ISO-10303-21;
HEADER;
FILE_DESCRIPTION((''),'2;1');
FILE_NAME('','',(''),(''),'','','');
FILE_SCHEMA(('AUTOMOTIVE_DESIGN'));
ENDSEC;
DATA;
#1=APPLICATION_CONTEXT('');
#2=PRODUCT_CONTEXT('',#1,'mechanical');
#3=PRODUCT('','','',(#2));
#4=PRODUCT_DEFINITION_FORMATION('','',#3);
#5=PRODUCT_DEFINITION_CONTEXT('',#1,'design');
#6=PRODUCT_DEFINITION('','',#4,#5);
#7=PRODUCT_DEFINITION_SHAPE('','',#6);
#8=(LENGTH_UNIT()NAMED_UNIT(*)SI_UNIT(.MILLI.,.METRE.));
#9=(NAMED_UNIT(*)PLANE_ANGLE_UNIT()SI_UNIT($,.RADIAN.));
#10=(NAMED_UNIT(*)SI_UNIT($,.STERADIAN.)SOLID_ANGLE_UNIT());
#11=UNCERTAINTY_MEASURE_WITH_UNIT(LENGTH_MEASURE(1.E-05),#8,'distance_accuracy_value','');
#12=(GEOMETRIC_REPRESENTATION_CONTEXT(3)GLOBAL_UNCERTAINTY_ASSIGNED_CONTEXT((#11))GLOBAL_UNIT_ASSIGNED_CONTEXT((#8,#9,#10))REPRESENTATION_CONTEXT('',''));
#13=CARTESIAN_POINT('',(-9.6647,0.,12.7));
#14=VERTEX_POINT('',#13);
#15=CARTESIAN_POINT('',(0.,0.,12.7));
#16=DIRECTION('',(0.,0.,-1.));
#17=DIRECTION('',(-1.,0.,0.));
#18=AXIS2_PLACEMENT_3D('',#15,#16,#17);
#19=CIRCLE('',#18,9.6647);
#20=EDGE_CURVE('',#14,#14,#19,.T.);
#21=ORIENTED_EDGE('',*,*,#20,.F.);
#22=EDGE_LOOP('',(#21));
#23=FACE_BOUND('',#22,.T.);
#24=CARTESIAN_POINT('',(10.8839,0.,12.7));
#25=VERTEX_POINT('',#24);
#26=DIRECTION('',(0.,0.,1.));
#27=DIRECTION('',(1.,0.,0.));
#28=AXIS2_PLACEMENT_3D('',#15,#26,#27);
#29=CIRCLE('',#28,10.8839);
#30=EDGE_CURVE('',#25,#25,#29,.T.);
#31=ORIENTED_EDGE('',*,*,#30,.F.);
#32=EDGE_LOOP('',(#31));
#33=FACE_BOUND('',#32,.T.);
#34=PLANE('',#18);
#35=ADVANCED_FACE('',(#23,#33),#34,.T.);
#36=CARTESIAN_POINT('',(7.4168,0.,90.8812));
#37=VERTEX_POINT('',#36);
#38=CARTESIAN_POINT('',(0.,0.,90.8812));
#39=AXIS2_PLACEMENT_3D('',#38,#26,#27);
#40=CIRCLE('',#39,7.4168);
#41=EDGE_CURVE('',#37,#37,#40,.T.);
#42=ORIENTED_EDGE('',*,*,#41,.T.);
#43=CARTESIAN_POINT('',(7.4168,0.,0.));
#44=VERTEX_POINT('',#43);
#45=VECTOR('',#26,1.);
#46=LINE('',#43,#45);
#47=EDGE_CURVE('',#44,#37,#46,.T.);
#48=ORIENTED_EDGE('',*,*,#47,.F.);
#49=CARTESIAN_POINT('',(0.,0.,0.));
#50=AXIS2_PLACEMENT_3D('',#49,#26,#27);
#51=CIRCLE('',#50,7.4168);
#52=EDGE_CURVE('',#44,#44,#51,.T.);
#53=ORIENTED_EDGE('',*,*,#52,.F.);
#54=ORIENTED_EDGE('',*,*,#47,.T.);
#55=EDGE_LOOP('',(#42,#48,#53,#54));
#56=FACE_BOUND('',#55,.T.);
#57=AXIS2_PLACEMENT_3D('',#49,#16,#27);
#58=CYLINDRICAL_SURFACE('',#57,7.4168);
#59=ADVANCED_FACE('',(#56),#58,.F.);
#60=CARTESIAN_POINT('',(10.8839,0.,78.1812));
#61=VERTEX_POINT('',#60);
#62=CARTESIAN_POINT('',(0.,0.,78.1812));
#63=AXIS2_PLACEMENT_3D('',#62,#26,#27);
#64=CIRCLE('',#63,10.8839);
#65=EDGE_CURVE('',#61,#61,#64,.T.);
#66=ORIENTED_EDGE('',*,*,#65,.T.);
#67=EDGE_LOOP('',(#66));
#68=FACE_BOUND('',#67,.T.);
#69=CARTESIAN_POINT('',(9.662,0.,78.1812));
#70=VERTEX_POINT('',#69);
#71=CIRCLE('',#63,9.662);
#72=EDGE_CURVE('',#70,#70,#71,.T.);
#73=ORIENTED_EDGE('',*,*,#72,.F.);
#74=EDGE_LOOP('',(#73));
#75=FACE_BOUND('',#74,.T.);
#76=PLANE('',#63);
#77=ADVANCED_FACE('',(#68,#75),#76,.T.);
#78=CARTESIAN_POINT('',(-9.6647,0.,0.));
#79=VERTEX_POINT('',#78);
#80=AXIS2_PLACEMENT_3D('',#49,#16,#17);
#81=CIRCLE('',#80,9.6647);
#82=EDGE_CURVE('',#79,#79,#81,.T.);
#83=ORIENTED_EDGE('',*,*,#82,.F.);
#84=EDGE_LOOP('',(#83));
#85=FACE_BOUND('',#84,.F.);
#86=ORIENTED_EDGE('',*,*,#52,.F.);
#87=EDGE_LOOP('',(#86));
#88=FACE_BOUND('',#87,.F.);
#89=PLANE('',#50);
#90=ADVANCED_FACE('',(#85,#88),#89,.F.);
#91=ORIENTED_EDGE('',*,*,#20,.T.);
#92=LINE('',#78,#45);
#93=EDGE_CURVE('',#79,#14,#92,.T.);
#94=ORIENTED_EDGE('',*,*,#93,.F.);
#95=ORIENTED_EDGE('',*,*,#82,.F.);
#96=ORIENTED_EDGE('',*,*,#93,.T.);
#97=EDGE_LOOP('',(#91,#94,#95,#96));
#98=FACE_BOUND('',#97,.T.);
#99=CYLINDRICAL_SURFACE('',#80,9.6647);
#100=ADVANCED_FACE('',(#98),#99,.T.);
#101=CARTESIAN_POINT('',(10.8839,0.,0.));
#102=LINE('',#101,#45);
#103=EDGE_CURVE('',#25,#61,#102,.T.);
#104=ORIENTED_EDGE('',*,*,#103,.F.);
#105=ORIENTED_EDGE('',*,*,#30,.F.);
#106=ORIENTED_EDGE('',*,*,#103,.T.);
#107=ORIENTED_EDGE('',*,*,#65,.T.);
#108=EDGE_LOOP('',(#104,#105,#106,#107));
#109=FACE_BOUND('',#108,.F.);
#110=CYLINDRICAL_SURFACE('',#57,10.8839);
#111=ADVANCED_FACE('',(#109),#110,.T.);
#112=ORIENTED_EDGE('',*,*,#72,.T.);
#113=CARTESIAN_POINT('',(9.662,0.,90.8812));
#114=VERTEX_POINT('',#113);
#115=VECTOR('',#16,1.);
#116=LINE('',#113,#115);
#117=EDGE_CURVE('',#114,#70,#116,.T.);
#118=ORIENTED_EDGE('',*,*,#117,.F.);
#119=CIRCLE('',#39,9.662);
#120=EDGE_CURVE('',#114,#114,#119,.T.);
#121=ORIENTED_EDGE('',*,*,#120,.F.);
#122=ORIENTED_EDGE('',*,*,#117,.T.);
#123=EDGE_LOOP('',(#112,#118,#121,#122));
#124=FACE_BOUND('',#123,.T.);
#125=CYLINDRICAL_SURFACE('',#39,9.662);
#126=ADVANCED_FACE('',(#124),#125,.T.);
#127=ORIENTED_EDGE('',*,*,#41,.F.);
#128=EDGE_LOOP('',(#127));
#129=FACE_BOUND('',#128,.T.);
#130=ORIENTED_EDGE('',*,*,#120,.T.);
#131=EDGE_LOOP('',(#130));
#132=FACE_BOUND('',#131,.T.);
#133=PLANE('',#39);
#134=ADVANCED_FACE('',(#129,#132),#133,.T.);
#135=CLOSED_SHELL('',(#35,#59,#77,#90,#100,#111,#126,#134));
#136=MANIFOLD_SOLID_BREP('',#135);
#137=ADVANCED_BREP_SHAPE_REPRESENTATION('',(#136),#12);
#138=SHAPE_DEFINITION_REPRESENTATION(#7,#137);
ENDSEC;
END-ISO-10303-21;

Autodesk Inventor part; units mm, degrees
ref_plane "YZ Plane" through (0, 0, 0) normal (1, 0, 0) x (0, 1, 0)
ref_plane "XZ Plane" through (0, 0, 0) normal (0, 1, 0) x (-1, 0, 0)
ref_plane "XY Plane" through (0, 0, 0) normal (0, 0, 1) x (1, 0, 0)
sketch "Sketch1" plane through (0, 0, 0) normal (0, 0, 1) x (1, 0, 0)
  circle A0 centre (0, 0) radius 7.4168
  circle A1 centre (0, 0) radius 10.8839
  dimension "d0" = 14.8336
  dimension "d1" = 21.7678
extrude "Extrusion1" add sketch "Sketch1" along normal blind 90.8812
sketch "Sketch2" plane through (0, 0, 90.8812) normal (0, 0, 1) x (1, 0, 0)
  circle A0 centre (0, 0) radius 10.8839 projected
  circle A1 centre (0, 0) radius 9.662
extrude "Extrusion2" cut sketch "Sketch2" against normal blind 12.7
thread "Thread2" size "13/16-10 UNC" class "2A" standard "ANSI Unified Screw Threads" full length
sketch "Sketch4" plane through (0, 0, 0) normal (0, 0, -1) x (-1, 0, 0)
  circle A0 centre (0, 0) radius 10.8839 projected
  circle A1 centre (0, 0) radius 9.6647
  circle A2 centre (0, 0) radius 10.8839
  dimension "d13" = 19.3294
extrude "Extrusion4" cut sketch "Sketch4" against normal blind 12.7
thread "Thread3" size "13/16-10 UNC" class "2A" standard "ANSI Unified Screw Threads" full length
properties part number "Pipe2"
